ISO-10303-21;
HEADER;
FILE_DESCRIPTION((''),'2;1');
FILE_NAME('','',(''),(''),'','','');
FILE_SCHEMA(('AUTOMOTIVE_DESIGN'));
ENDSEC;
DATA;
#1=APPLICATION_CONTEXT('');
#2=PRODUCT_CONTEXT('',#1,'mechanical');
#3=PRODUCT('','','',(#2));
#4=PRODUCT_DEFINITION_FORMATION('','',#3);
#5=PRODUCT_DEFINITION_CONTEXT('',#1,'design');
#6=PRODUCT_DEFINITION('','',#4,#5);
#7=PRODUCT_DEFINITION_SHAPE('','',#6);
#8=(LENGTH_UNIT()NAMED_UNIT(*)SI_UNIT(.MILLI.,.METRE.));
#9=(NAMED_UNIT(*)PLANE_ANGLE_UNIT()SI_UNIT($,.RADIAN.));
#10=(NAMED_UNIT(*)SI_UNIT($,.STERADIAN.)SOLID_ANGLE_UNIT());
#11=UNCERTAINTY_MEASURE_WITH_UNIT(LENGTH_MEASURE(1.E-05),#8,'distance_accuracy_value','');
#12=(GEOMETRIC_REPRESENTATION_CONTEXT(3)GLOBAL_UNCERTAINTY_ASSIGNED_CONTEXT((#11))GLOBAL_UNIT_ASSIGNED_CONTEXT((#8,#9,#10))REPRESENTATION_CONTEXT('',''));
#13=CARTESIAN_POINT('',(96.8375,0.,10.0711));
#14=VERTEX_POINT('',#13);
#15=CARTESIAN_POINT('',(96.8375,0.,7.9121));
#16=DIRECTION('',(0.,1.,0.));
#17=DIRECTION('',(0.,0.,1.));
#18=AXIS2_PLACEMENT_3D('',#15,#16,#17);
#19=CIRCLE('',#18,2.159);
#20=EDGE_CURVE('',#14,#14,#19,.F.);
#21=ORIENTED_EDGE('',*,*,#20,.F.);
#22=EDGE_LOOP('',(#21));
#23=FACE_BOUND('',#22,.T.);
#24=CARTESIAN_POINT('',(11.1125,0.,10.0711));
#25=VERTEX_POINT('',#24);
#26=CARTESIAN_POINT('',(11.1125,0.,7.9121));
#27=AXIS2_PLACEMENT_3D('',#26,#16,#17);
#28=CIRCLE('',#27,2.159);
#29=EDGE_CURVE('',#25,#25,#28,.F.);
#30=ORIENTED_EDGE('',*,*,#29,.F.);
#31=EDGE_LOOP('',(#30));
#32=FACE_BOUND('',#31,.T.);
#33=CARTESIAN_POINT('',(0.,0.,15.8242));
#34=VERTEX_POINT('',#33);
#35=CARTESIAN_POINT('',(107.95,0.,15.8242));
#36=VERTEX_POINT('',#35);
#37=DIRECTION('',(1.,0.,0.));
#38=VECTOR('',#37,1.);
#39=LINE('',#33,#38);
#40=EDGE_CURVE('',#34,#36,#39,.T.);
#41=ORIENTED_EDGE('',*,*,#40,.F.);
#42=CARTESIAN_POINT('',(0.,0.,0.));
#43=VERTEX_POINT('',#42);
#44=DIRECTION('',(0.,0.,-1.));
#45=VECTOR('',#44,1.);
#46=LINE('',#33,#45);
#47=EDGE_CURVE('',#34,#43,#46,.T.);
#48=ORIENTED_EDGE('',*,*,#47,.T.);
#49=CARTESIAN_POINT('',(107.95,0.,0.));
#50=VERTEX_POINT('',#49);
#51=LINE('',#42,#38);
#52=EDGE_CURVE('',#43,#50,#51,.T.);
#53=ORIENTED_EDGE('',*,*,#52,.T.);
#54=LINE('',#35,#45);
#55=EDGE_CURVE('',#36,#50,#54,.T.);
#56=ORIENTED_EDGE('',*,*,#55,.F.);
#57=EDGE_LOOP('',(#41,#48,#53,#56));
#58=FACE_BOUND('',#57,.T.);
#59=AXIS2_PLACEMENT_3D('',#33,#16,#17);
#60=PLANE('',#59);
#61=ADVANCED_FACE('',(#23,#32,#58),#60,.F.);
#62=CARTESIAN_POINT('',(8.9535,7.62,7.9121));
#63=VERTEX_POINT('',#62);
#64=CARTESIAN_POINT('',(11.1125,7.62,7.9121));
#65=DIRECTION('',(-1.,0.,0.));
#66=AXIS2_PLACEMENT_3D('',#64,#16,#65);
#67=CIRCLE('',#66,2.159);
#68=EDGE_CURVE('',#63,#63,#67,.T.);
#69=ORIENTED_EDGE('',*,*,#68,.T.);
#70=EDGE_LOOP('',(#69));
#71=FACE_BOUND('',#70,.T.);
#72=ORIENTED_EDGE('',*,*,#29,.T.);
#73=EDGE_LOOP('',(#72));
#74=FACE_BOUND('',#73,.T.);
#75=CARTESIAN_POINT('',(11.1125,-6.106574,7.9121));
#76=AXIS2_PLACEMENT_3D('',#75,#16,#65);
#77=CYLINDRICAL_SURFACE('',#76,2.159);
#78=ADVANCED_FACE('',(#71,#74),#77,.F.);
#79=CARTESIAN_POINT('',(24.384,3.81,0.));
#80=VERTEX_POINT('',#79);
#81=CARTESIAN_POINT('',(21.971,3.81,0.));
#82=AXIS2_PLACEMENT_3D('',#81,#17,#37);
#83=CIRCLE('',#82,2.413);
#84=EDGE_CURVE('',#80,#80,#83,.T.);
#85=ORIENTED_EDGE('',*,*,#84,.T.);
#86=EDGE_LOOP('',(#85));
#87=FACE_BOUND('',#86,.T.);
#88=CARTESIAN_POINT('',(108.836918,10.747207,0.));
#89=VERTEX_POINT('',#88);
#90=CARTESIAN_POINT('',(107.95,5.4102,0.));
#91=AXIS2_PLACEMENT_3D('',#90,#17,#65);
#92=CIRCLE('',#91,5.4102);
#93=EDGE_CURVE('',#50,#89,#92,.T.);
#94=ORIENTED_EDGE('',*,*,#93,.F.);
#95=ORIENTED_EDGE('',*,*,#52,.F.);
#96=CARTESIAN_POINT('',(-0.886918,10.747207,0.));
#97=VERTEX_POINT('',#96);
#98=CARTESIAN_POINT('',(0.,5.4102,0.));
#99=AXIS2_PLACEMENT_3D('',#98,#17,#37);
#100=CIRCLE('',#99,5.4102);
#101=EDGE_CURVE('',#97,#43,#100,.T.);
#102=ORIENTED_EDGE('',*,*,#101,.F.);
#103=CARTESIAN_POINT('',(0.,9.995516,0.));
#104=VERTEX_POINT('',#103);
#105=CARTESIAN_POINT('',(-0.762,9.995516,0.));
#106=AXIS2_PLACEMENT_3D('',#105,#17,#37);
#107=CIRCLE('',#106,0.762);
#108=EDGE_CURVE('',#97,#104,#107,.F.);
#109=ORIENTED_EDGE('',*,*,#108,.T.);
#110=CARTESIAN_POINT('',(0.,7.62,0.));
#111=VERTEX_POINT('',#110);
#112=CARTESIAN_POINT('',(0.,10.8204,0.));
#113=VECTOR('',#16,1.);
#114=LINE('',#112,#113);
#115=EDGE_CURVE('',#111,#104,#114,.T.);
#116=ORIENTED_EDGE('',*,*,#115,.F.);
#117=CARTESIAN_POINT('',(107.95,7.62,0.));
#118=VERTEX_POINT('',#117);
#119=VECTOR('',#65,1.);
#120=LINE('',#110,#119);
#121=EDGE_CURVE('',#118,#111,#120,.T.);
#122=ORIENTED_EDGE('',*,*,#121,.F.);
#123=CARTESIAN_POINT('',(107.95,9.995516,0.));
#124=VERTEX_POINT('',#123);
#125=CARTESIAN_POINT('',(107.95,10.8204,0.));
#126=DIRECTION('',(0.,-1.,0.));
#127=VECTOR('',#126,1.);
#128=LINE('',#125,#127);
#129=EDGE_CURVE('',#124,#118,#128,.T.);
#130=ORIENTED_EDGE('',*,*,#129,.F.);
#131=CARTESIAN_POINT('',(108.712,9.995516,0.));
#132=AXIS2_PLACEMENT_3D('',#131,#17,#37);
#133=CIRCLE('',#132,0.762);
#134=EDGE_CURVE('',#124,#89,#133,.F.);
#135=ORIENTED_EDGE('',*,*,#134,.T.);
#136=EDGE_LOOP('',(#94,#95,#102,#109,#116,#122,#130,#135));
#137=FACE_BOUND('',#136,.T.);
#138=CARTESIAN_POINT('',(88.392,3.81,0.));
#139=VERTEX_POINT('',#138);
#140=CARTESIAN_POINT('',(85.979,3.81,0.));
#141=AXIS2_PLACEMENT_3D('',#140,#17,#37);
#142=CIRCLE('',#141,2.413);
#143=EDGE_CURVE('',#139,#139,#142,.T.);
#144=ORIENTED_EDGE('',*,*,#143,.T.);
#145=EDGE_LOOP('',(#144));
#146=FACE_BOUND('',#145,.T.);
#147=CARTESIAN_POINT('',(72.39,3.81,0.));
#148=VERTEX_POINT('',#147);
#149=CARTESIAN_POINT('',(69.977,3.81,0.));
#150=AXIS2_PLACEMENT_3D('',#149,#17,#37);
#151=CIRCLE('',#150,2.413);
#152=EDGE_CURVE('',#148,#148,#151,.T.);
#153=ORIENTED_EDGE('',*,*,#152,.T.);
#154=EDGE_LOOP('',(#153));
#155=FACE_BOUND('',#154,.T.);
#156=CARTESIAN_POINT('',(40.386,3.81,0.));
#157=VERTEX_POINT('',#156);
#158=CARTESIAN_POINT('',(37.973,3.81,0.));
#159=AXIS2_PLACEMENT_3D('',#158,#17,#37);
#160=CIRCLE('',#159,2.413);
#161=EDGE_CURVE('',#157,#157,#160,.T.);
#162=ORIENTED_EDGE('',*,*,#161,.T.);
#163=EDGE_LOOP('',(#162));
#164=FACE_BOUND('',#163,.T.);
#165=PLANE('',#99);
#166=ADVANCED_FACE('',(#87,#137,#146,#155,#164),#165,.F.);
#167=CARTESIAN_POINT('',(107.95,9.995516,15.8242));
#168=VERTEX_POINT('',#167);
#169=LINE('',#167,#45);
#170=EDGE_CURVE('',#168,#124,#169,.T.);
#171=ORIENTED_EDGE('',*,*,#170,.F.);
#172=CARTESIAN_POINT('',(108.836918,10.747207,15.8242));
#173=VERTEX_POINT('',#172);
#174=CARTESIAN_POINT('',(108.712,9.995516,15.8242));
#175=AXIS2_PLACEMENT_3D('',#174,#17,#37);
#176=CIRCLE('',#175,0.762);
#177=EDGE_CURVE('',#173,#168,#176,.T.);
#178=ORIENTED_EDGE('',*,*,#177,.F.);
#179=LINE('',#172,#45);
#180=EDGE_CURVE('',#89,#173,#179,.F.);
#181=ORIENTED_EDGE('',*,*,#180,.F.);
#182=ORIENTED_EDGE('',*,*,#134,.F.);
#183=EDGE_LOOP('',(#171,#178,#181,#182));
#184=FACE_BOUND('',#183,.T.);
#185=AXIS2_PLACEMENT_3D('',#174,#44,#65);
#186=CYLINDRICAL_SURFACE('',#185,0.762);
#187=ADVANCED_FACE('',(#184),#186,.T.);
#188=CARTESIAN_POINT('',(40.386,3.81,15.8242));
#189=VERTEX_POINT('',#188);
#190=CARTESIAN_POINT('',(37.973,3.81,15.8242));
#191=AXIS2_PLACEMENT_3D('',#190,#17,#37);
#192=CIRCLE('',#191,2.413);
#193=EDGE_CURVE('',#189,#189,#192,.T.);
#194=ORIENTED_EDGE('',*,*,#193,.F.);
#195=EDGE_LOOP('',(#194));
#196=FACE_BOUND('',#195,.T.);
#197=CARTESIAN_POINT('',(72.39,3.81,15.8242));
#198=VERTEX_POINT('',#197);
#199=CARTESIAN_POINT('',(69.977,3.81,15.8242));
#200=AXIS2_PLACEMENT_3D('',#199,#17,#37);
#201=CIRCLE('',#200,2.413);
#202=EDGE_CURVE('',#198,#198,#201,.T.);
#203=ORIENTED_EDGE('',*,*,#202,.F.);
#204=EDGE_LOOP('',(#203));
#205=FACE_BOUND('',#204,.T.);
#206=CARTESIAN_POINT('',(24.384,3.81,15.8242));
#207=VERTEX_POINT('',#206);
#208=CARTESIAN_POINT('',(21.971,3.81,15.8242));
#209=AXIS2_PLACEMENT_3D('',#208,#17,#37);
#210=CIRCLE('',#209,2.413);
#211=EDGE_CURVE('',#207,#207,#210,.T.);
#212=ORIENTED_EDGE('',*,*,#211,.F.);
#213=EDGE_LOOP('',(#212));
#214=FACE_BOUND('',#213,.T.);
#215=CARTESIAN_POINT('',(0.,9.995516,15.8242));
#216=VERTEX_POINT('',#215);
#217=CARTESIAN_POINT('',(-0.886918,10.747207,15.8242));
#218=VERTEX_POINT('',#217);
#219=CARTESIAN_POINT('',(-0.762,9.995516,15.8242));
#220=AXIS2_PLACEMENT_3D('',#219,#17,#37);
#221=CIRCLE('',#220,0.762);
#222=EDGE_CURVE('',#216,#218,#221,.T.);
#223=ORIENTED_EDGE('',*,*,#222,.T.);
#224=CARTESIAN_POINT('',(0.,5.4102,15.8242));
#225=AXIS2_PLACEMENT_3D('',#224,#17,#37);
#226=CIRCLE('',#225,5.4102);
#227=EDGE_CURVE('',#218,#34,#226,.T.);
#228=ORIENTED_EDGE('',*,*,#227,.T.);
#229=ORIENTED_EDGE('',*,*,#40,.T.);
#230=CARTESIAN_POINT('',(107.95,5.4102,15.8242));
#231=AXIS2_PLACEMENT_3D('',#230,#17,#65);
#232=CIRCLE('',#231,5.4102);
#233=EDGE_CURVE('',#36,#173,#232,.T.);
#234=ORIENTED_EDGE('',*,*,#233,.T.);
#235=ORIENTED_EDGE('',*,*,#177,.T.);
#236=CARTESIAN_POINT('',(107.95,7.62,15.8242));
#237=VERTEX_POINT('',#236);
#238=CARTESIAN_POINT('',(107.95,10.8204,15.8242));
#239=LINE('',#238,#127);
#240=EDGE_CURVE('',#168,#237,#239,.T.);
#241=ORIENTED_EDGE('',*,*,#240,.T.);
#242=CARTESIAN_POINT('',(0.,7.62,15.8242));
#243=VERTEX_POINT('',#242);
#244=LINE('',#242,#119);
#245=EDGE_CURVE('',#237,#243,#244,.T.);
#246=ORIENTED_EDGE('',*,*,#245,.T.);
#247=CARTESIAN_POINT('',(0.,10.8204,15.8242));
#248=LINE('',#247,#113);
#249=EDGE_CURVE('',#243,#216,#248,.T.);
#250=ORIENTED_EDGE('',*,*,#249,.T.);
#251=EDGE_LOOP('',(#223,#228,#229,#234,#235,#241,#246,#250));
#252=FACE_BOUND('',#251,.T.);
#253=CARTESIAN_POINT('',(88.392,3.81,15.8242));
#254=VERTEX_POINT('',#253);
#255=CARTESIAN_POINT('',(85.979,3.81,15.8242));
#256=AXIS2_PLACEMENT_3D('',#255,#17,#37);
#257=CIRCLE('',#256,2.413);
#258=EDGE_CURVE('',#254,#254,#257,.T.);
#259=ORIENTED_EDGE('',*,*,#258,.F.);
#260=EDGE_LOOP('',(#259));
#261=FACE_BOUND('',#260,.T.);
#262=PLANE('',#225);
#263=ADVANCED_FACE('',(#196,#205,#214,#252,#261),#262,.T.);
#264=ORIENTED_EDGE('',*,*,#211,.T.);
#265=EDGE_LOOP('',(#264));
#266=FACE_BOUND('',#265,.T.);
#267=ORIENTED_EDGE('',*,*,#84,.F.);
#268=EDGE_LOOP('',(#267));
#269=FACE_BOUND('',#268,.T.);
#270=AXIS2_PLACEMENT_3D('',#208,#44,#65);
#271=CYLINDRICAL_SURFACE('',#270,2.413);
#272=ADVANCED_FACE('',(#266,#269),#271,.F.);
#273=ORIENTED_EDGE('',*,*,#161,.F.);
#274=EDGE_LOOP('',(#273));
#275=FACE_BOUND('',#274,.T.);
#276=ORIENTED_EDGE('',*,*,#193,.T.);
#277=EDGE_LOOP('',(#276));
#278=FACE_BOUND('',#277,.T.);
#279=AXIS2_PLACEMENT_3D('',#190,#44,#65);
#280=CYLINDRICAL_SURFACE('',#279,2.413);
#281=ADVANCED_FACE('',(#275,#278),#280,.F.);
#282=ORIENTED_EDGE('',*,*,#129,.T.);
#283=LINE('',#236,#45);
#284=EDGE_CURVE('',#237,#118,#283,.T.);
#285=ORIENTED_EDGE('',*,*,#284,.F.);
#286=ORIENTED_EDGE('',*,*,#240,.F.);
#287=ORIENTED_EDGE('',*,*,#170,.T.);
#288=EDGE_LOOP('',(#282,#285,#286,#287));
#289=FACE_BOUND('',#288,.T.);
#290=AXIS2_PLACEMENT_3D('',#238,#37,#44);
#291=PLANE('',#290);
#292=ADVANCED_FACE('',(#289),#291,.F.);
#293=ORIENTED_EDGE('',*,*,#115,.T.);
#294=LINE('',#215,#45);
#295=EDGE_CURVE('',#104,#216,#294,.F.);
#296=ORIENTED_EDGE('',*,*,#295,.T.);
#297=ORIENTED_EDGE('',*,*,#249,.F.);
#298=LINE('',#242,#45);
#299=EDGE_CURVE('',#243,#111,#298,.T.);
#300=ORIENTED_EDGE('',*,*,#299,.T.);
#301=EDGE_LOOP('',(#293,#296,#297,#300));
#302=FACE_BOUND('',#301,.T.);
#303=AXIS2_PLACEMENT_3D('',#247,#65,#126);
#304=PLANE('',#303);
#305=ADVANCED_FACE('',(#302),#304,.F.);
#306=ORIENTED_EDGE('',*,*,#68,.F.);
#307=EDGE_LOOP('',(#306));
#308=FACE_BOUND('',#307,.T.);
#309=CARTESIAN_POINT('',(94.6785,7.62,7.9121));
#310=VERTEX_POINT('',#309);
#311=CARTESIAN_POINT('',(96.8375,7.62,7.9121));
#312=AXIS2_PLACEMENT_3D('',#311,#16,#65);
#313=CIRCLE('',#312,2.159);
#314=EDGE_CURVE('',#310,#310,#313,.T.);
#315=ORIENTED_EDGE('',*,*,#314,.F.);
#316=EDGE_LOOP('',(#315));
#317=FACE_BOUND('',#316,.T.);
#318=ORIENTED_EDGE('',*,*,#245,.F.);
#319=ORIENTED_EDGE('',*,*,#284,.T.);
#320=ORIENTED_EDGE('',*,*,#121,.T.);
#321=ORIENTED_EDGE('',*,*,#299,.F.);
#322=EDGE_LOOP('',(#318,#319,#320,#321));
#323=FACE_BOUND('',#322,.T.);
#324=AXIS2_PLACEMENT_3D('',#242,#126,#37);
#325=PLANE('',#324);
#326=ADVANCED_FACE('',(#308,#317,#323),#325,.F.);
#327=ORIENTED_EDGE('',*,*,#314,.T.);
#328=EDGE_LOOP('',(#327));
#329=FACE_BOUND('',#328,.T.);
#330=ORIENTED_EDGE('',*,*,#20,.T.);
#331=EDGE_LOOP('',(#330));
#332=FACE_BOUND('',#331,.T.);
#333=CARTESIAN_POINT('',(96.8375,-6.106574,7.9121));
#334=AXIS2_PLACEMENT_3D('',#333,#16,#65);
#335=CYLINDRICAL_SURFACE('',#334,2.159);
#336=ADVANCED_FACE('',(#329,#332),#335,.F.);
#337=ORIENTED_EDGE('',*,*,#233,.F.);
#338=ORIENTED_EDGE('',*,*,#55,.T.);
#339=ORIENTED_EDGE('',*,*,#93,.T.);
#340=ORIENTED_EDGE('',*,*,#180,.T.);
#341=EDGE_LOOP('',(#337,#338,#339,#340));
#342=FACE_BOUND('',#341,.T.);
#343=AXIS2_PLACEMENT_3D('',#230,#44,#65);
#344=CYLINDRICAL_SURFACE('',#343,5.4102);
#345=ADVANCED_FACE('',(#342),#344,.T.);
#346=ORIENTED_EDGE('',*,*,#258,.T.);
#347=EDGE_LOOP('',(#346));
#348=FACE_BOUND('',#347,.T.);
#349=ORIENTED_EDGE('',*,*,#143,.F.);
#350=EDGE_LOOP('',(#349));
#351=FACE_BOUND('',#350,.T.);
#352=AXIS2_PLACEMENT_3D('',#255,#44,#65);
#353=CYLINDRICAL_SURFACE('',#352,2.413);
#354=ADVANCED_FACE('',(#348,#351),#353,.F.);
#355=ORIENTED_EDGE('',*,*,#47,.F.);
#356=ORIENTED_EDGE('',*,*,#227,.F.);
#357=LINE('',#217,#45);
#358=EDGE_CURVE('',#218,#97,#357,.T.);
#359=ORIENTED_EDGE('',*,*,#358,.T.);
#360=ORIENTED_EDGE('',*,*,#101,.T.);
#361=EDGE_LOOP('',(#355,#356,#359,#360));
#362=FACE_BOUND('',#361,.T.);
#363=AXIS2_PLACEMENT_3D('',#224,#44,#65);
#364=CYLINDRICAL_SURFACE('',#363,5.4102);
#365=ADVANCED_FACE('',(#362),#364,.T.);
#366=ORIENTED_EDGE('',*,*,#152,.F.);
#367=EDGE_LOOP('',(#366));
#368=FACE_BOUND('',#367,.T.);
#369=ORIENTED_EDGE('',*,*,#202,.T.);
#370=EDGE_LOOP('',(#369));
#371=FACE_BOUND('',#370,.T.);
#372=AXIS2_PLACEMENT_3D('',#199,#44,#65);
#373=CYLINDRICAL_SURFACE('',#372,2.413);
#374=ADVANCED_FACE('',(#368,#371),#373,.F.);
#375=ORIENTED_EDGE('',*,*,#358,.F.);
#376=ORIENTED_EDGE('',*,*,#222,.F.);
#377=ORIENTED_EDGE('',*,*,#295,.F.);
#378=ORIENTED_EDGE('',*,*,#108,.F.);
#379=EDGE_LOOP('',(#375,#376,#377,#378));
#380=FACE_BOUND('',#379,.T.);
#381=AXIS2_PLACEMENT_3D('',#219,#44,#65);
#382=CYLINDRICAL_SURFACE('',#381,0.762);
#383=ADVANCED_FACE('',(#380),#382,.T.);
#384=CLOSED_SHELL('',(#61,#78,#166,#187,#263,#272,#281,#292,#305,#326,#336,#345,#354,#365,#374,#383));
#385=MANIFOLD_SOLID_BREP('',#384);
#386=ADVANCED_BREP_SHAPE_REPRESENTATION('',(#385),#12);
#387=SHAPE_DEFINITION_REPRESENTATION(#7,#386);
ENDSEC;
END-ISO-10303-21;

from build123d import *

# Parameters (mm, degrees)
SKETCH1_R           = 2.413
BOSS_EXTRUDE1_DEPTH = 15.8242
SKETCH3_R           = 2.159
CUT_EXTRUDE1_DEPTH  = 7.62
FILLET1_R           = 0.762


with BuildPart() as part:
    # Sketch1 → Boss-Extrude1 (new body)
    with BuildSketch(Plane.XY):
        with BuildLine():
            Line((0, 7.62), (107.95, 7.62))
            Line((107.95, 7.62), (107.95, 10.8204))
            ThreePointArc((107.95, 10.8204), (113.3602, 5.4102), (107.95, 0))
            Line((107.95, 0), (0, 0))
            ThreePointArc((0, 0), (-5.4102, 5.4102), (0, 10.8204))
            Line((0, 10.8204), (0, 7.62))
        make_face()
        with Locations((21.971, 3.81)):
            Circle(SKETCH1_R, mode=Mode.SUBTRACT)
        with Locations((37.973, 3.81)):
            Circle(SKETCH1_R, mode=Mode.SUBTRACT)
        with Locations((69.977, 3.81)):
            Circle(SKETCH1_R, mode=Mode.SUBTRACT)
        with Locations((85.979, 3.81)):
            Circle(SKETCH1_R, mode=Mode.SUBTRACT)
    extrude(amount=BOSS_EXTRUDE1_DEPTH)

    # Sketch3 → Cut-Extrude1 (cut)
    with BuildSketch(Plane(origin=(0, 7.62, 0), x_dir=(1, 0, 0), z_dir=(0, 1, 0))):
        with Locations((96.8375, -7.9121)):
            Circle(SKETCH3_R)
        with Locations((11.1125, -7.9121)):
            Circle(SKETCH3_R)
    extrude(amount=-CUT_EXTRUDE1_DEPTH, mode=Mode.SUBTRACT)

    # Fillet1
    fillet1_edges = [part.edges().sort_by_distance(p)[0] for p in [
        (0, 10.8204, 7.9121),
        (107.95, 10.8204, 7.9121),
    ]]
    fillet(fillet1_edges, radius=FILLET1_R)


solid = part.part
